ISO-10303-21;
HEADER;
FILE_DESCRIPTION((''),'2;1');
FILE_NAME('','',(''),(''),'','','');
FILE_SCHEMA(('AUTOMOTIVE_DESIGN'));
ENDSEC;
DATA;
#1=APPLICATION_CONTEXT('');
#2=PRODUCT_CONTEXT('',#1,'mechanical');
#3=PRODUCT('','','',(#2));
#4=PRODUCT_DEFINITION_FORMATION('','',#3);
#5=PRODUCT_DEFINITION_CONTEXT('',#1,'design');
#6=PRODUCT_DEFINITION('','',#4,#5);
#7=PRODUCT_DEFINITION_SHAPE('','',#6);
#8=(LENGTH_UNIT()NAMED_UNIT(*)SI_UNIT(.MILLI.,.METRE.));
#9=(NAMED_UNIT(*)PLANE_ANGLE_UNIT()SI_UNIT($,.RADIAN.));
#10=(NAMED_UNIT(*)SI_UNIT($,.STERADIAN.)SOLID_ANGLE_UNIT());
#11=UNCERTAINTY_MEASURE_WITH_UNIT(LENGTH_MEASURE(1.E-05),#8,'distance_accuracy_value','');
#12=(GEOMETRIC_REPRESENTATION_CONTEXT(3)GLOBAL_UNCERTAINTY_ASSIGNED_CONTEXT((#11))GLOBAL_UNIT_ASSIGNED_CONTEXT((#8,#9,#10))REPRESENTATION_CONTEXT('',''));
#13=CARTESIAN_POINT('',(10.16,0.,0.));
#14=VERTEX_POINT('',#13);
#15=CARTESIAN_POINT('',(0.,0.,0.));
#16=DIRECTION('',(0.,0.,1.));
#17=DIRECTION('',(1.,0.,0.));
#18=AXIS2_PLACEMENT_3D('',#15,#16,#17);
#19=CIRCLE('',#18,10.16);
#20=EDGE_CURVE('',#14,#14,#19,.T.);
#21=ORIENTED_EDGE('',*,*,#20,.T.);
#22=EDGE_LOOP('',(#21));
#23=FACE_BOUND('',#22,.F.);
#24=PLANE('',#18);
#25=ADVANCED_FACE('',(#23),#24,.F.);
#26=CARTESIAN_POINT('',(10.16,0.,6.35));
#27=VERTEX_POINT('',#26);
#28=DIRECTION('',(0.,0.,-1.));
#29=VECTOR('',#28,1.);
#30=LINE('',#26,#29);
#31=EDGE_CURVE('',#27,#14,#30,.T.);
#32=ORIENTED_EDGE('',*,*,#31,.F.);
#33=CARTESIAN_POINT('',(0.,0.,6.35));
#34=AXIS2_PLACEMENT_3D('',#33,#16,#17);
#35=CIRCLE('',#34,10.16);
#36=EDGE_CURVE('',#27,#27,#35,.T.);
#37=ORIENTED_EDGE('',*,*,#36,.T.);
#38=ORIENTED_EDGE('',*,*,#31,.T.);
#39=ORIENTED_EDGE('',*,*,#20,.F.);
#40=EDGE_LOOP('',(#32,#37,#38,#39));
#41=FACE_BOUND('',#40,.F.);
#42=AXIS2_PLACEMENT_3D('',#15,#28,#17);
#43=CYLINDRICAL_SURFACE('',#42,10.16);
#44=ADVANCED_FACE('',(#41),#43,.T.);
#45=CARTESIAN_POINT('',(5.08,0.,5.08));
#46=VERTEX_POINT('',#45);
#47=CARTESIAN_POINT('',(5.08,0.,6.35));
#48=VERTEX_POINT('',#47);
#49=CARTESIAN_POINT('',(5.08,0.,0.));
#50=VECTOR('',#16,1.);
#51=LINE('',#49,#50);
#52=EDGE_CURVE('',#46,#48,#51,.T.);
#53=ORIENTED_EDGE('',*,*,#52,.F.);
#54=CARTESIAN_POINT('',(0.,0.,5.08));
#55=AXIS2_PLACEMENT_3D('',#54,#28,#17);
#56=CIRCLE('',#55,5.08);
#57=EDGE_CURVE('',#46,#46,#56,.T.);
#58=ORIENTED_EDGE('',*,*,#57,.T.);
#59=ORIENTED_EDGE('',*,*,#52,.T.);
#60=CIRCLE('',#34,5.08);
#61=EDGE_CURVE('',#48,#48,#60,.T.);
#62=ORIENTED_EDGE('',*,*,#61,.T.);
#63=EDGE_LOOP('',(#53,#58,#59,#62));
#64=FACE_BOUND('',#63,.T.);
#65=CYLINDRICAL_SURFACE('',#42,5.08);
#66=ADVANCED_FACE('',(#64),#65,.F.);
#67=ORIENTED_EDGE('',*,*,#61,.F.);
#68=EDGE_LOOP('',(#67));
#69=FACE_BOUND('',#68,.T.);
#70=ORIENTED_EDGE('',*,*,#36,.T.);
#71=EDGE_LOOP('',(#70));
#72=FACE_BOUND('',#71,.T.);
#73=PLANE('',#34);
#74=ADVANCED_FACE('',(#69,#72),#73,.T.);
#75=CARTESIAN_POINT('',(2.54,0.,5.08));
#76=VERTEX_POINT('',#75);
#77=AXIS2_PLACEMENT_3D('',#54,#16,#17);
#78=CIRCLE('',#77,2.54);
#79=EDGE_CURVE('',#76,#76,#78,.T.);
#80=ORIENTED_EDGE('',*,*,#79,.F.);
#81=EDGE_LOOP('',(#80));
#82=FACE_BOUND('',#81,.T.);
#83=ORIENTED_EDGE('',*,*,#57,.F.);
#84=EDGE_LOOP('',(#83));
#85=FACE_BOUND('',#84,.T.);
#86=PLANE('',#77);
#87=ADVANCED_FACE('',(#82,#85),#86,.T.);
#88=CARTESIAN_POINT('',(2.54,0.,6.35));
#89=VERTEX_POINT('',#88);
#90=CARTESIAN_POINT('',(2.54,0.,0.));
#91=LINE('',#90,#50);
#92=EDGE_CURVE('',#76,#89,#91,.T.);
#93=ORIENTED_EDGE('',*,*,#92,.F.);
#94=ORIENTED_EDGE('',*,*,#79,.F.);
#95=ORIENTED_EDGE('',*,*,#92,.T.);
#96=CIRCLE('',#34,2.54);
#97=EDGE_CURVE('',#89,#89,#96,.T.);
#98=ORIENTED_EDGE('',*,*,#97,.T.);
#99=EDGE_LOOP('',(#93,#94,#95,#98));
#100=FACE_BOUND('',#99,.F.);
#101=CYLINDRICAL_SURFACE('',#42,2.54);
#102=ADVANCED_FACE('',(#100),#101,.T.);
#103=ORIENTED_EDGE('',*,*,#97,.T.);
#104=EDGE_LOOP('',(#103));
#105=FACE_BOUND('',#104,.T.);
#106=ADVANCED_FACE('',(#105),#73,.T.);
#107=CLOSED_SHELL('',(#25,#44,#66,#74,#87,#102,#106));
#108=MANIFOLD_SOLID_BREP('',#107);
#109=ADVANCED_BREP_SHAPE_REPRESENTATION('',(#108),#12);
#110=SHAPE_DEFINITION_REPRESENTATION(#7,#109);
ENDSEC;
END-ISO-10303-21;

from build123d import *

# Parameters (mm, degrees)
F0_R     = 10.16
F0_R_2   = 5.08
F1_DEPTH = 6.35
F0_R_3   = 2.54
F2_DEPTH = 5.08


with BuildPart() as f1:
    # F0 (on Top) → F1 (new body)
    with BuildSketch(Plane.XY):
        Circle(F0_R)
        Circle(F0_R_2, mode=Mode.SUBTRACT)
    extrude(amount=F1_DEPTH)



with BuildPart() as f1b:
    # F0 (on Top) → F1, piece 2 (new body)
    with BuildSketch(Plane.XY):
        Circle(F0_R_3)
    extrude(amount=F1_DEPTH)


with BuildPart() as f1_1:
    add(f1.part)

    add(f1b.part)  # F2 merges F1b
    # F0 (on Top) → F2 (join)
    with BuildSketch(Plane.XY):
        Circle(F0_R)
        Circle(F0_R_2, mode=Mode.SUBTRACT)
        Circle(F0_R_2)
        Circle(F0_R_3, mode=Mode.SUBTRACT)
    extrude(amount=F2_DEPTH)


solid = f1_1.part
